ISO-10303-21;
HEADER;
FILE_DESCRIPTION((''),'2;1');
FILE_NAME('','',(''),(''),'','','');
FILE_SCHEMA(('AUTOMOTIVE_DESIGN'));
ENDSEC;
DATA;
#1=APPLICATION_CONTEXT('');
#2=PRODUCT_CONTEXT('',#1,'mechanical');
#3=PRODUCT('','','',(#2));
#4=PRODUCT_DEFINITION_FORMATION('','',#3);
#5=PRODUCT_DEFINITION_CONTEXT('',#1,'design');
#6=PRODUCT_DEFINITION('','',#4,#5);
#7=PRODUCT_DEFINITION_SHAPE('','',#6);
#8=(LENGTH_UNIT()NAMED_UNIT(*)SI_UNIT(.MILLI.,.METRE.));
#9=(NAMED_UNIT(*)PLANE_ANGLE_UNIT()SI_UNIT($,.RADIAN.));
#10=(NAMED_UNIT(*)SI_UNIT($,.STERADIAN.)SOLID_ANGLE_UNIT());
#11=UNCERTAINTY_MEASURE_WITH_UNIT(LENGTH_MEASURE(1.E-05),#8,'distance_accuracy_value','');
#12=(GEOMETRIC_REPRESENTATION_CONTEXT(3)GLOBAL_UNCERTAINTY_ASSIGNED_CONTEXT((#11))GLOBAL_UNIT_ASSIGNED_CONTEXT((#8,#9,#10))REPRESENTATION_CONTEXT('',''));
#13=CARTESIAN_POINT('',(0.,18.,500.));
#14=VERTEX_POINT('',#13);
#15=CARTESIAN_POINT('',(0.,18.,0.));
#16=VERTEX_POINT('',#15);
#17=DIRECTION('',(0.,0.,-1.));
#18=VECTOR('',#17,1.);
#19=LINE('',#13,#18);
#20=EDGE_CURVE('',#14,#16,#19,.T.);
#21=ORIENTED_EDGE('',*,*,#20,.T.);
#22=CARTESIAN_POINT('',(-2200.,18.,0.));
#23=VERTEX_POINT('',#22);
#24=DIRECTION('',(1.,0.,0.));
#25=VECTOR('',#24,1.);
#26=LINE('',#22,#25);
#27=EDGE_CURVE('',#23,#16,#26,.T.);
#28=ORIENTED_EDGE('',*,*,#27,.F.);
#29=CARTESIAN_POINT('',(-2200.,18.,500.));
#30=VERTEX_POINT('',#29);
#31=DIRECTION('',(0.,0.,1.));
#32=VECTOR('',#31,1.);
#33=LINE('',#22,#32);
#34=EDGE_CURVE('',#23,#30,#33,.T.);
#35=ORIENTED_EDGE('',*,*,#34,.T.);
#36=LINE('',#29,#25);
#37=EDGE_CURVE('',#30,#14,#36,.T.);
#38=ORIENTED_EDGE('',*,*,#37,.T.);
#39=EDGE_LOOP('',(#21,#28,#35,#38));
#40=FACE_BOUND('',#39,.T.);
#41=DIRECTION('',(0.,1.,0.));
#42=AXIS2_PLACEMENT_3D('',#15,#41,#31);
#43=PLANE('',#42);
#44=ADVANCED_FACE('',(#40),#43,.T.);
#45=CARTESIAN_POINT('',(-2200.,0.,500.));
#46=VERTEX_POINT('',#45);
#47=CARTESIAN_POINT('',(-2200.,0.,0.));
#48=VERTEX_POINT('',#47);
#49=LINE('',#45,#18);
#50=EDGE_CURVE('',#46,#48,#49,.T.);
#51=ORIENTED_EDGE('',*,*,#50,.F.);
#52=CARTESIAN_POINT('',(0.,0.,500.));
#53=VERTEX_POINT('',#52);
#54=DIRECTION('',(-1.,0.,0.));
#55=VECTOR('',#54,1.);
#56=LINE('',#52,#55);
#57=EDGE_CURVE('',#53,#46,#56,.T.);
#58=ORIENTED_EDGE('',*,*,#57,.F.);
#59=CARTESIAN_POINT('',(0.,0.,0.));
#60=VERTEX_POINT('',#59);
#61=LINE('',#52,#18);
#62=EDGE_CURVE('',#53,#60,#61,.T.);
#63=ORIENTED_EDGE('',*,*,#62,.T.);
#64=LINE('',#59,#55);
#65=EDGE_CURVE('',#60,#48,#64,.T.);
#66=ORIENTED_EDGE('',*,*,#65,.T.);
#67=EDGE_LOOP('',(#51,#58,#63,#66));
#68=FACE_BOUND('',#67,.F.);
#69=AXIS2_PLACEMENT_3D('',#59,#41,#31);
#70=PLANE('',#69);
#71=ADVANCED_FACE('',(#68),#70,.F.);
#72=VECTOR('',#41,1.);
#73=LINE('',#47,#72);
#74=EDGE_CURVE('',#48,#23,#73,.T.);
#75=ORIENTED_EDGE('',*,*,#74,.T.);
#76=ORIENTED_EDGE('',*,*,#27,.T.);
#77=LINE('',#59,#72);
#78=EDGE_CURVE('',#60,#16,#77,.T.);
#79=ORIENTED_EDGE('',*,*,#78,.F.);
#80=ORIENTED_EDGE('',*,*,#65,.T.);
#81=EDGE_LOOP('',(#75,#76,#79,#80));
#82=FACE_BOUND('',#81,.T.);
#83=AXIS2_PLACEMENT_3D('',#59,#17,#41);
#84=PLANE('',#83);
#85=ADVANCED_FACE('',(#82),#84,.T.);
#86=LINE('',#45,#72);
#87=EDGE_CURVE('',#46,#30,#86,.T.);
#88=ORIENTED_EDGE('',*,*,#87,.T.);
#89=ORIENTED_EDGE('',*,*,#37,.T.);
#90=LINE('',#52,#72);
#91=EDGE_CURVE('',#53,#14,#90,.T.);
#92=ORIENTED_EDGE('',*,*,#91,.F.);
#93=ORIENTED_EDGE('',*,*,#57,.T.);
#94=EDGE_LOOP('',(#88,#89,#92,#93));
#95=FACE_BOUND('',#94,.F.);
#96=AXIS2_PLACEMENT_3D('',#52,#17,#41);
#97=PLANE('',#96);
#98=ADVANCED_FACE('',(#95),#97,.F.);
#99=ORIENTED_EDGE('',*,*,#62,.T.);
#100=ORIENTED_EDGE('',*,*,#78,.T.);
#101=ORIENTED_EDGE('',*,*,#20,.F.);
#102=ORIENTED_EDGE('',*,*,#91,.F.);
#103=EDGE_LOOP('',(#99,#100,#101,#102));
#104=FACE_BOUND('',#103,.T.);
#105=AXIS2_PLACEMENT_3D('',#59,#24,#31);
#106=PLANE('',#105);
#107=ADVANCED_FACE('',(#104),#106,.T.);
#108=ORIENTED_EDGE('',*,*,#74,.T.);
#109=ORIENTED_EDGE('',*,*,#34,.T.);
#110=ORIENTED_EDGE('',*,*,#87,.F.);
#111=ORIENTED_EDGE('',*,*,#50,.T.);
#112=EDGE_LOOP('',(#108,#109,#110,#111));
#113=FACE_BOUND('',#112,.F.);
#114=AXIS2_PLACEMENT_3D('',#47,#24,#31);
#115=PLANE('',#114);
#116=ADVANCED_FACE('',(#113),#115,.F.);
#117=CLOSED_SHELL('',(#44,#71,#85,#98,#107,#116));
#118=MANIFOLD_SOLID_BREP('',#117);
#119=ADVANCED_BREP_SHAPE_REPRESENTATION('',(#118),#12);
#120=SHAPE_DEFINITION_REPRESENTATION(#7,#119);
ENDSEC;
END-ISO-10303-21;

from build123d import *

# Parameters (mm, degrees)
F0_W     = 43.4928238392
F0_H     = 32.2236791253
F1_DEPTH = 18
F2_DEPTH = 2200
F3_DEPTH = 500


with BuildPart() as f1:
    # F0 (on Front) → F1 (new body)
    with BuildSketch(Plane.XZ):
        with Locations((-21.7464119196, 16.1118395627)):
            Rectangle(F0_W, F0_H)
    extrude(amount=-F1_DEPTH)

    # F2 (add): a face of the model
    f2_faces = [f1.faces().sort_by_distance(p)[0] for p in [
        (0, 9, 16.1118395627),
    ]]
    extrude(f2_faces, amount=-F2_DEPTH)

    # F3 (add): a face of the model
    f3_faces = [f1.faces().sort_by_distance(p)[0] for p in [
        (-1100, 9, 0),
    ]]
    extrude(f3_faces, amount=-F3_DEPTH)


solid = f1.part
